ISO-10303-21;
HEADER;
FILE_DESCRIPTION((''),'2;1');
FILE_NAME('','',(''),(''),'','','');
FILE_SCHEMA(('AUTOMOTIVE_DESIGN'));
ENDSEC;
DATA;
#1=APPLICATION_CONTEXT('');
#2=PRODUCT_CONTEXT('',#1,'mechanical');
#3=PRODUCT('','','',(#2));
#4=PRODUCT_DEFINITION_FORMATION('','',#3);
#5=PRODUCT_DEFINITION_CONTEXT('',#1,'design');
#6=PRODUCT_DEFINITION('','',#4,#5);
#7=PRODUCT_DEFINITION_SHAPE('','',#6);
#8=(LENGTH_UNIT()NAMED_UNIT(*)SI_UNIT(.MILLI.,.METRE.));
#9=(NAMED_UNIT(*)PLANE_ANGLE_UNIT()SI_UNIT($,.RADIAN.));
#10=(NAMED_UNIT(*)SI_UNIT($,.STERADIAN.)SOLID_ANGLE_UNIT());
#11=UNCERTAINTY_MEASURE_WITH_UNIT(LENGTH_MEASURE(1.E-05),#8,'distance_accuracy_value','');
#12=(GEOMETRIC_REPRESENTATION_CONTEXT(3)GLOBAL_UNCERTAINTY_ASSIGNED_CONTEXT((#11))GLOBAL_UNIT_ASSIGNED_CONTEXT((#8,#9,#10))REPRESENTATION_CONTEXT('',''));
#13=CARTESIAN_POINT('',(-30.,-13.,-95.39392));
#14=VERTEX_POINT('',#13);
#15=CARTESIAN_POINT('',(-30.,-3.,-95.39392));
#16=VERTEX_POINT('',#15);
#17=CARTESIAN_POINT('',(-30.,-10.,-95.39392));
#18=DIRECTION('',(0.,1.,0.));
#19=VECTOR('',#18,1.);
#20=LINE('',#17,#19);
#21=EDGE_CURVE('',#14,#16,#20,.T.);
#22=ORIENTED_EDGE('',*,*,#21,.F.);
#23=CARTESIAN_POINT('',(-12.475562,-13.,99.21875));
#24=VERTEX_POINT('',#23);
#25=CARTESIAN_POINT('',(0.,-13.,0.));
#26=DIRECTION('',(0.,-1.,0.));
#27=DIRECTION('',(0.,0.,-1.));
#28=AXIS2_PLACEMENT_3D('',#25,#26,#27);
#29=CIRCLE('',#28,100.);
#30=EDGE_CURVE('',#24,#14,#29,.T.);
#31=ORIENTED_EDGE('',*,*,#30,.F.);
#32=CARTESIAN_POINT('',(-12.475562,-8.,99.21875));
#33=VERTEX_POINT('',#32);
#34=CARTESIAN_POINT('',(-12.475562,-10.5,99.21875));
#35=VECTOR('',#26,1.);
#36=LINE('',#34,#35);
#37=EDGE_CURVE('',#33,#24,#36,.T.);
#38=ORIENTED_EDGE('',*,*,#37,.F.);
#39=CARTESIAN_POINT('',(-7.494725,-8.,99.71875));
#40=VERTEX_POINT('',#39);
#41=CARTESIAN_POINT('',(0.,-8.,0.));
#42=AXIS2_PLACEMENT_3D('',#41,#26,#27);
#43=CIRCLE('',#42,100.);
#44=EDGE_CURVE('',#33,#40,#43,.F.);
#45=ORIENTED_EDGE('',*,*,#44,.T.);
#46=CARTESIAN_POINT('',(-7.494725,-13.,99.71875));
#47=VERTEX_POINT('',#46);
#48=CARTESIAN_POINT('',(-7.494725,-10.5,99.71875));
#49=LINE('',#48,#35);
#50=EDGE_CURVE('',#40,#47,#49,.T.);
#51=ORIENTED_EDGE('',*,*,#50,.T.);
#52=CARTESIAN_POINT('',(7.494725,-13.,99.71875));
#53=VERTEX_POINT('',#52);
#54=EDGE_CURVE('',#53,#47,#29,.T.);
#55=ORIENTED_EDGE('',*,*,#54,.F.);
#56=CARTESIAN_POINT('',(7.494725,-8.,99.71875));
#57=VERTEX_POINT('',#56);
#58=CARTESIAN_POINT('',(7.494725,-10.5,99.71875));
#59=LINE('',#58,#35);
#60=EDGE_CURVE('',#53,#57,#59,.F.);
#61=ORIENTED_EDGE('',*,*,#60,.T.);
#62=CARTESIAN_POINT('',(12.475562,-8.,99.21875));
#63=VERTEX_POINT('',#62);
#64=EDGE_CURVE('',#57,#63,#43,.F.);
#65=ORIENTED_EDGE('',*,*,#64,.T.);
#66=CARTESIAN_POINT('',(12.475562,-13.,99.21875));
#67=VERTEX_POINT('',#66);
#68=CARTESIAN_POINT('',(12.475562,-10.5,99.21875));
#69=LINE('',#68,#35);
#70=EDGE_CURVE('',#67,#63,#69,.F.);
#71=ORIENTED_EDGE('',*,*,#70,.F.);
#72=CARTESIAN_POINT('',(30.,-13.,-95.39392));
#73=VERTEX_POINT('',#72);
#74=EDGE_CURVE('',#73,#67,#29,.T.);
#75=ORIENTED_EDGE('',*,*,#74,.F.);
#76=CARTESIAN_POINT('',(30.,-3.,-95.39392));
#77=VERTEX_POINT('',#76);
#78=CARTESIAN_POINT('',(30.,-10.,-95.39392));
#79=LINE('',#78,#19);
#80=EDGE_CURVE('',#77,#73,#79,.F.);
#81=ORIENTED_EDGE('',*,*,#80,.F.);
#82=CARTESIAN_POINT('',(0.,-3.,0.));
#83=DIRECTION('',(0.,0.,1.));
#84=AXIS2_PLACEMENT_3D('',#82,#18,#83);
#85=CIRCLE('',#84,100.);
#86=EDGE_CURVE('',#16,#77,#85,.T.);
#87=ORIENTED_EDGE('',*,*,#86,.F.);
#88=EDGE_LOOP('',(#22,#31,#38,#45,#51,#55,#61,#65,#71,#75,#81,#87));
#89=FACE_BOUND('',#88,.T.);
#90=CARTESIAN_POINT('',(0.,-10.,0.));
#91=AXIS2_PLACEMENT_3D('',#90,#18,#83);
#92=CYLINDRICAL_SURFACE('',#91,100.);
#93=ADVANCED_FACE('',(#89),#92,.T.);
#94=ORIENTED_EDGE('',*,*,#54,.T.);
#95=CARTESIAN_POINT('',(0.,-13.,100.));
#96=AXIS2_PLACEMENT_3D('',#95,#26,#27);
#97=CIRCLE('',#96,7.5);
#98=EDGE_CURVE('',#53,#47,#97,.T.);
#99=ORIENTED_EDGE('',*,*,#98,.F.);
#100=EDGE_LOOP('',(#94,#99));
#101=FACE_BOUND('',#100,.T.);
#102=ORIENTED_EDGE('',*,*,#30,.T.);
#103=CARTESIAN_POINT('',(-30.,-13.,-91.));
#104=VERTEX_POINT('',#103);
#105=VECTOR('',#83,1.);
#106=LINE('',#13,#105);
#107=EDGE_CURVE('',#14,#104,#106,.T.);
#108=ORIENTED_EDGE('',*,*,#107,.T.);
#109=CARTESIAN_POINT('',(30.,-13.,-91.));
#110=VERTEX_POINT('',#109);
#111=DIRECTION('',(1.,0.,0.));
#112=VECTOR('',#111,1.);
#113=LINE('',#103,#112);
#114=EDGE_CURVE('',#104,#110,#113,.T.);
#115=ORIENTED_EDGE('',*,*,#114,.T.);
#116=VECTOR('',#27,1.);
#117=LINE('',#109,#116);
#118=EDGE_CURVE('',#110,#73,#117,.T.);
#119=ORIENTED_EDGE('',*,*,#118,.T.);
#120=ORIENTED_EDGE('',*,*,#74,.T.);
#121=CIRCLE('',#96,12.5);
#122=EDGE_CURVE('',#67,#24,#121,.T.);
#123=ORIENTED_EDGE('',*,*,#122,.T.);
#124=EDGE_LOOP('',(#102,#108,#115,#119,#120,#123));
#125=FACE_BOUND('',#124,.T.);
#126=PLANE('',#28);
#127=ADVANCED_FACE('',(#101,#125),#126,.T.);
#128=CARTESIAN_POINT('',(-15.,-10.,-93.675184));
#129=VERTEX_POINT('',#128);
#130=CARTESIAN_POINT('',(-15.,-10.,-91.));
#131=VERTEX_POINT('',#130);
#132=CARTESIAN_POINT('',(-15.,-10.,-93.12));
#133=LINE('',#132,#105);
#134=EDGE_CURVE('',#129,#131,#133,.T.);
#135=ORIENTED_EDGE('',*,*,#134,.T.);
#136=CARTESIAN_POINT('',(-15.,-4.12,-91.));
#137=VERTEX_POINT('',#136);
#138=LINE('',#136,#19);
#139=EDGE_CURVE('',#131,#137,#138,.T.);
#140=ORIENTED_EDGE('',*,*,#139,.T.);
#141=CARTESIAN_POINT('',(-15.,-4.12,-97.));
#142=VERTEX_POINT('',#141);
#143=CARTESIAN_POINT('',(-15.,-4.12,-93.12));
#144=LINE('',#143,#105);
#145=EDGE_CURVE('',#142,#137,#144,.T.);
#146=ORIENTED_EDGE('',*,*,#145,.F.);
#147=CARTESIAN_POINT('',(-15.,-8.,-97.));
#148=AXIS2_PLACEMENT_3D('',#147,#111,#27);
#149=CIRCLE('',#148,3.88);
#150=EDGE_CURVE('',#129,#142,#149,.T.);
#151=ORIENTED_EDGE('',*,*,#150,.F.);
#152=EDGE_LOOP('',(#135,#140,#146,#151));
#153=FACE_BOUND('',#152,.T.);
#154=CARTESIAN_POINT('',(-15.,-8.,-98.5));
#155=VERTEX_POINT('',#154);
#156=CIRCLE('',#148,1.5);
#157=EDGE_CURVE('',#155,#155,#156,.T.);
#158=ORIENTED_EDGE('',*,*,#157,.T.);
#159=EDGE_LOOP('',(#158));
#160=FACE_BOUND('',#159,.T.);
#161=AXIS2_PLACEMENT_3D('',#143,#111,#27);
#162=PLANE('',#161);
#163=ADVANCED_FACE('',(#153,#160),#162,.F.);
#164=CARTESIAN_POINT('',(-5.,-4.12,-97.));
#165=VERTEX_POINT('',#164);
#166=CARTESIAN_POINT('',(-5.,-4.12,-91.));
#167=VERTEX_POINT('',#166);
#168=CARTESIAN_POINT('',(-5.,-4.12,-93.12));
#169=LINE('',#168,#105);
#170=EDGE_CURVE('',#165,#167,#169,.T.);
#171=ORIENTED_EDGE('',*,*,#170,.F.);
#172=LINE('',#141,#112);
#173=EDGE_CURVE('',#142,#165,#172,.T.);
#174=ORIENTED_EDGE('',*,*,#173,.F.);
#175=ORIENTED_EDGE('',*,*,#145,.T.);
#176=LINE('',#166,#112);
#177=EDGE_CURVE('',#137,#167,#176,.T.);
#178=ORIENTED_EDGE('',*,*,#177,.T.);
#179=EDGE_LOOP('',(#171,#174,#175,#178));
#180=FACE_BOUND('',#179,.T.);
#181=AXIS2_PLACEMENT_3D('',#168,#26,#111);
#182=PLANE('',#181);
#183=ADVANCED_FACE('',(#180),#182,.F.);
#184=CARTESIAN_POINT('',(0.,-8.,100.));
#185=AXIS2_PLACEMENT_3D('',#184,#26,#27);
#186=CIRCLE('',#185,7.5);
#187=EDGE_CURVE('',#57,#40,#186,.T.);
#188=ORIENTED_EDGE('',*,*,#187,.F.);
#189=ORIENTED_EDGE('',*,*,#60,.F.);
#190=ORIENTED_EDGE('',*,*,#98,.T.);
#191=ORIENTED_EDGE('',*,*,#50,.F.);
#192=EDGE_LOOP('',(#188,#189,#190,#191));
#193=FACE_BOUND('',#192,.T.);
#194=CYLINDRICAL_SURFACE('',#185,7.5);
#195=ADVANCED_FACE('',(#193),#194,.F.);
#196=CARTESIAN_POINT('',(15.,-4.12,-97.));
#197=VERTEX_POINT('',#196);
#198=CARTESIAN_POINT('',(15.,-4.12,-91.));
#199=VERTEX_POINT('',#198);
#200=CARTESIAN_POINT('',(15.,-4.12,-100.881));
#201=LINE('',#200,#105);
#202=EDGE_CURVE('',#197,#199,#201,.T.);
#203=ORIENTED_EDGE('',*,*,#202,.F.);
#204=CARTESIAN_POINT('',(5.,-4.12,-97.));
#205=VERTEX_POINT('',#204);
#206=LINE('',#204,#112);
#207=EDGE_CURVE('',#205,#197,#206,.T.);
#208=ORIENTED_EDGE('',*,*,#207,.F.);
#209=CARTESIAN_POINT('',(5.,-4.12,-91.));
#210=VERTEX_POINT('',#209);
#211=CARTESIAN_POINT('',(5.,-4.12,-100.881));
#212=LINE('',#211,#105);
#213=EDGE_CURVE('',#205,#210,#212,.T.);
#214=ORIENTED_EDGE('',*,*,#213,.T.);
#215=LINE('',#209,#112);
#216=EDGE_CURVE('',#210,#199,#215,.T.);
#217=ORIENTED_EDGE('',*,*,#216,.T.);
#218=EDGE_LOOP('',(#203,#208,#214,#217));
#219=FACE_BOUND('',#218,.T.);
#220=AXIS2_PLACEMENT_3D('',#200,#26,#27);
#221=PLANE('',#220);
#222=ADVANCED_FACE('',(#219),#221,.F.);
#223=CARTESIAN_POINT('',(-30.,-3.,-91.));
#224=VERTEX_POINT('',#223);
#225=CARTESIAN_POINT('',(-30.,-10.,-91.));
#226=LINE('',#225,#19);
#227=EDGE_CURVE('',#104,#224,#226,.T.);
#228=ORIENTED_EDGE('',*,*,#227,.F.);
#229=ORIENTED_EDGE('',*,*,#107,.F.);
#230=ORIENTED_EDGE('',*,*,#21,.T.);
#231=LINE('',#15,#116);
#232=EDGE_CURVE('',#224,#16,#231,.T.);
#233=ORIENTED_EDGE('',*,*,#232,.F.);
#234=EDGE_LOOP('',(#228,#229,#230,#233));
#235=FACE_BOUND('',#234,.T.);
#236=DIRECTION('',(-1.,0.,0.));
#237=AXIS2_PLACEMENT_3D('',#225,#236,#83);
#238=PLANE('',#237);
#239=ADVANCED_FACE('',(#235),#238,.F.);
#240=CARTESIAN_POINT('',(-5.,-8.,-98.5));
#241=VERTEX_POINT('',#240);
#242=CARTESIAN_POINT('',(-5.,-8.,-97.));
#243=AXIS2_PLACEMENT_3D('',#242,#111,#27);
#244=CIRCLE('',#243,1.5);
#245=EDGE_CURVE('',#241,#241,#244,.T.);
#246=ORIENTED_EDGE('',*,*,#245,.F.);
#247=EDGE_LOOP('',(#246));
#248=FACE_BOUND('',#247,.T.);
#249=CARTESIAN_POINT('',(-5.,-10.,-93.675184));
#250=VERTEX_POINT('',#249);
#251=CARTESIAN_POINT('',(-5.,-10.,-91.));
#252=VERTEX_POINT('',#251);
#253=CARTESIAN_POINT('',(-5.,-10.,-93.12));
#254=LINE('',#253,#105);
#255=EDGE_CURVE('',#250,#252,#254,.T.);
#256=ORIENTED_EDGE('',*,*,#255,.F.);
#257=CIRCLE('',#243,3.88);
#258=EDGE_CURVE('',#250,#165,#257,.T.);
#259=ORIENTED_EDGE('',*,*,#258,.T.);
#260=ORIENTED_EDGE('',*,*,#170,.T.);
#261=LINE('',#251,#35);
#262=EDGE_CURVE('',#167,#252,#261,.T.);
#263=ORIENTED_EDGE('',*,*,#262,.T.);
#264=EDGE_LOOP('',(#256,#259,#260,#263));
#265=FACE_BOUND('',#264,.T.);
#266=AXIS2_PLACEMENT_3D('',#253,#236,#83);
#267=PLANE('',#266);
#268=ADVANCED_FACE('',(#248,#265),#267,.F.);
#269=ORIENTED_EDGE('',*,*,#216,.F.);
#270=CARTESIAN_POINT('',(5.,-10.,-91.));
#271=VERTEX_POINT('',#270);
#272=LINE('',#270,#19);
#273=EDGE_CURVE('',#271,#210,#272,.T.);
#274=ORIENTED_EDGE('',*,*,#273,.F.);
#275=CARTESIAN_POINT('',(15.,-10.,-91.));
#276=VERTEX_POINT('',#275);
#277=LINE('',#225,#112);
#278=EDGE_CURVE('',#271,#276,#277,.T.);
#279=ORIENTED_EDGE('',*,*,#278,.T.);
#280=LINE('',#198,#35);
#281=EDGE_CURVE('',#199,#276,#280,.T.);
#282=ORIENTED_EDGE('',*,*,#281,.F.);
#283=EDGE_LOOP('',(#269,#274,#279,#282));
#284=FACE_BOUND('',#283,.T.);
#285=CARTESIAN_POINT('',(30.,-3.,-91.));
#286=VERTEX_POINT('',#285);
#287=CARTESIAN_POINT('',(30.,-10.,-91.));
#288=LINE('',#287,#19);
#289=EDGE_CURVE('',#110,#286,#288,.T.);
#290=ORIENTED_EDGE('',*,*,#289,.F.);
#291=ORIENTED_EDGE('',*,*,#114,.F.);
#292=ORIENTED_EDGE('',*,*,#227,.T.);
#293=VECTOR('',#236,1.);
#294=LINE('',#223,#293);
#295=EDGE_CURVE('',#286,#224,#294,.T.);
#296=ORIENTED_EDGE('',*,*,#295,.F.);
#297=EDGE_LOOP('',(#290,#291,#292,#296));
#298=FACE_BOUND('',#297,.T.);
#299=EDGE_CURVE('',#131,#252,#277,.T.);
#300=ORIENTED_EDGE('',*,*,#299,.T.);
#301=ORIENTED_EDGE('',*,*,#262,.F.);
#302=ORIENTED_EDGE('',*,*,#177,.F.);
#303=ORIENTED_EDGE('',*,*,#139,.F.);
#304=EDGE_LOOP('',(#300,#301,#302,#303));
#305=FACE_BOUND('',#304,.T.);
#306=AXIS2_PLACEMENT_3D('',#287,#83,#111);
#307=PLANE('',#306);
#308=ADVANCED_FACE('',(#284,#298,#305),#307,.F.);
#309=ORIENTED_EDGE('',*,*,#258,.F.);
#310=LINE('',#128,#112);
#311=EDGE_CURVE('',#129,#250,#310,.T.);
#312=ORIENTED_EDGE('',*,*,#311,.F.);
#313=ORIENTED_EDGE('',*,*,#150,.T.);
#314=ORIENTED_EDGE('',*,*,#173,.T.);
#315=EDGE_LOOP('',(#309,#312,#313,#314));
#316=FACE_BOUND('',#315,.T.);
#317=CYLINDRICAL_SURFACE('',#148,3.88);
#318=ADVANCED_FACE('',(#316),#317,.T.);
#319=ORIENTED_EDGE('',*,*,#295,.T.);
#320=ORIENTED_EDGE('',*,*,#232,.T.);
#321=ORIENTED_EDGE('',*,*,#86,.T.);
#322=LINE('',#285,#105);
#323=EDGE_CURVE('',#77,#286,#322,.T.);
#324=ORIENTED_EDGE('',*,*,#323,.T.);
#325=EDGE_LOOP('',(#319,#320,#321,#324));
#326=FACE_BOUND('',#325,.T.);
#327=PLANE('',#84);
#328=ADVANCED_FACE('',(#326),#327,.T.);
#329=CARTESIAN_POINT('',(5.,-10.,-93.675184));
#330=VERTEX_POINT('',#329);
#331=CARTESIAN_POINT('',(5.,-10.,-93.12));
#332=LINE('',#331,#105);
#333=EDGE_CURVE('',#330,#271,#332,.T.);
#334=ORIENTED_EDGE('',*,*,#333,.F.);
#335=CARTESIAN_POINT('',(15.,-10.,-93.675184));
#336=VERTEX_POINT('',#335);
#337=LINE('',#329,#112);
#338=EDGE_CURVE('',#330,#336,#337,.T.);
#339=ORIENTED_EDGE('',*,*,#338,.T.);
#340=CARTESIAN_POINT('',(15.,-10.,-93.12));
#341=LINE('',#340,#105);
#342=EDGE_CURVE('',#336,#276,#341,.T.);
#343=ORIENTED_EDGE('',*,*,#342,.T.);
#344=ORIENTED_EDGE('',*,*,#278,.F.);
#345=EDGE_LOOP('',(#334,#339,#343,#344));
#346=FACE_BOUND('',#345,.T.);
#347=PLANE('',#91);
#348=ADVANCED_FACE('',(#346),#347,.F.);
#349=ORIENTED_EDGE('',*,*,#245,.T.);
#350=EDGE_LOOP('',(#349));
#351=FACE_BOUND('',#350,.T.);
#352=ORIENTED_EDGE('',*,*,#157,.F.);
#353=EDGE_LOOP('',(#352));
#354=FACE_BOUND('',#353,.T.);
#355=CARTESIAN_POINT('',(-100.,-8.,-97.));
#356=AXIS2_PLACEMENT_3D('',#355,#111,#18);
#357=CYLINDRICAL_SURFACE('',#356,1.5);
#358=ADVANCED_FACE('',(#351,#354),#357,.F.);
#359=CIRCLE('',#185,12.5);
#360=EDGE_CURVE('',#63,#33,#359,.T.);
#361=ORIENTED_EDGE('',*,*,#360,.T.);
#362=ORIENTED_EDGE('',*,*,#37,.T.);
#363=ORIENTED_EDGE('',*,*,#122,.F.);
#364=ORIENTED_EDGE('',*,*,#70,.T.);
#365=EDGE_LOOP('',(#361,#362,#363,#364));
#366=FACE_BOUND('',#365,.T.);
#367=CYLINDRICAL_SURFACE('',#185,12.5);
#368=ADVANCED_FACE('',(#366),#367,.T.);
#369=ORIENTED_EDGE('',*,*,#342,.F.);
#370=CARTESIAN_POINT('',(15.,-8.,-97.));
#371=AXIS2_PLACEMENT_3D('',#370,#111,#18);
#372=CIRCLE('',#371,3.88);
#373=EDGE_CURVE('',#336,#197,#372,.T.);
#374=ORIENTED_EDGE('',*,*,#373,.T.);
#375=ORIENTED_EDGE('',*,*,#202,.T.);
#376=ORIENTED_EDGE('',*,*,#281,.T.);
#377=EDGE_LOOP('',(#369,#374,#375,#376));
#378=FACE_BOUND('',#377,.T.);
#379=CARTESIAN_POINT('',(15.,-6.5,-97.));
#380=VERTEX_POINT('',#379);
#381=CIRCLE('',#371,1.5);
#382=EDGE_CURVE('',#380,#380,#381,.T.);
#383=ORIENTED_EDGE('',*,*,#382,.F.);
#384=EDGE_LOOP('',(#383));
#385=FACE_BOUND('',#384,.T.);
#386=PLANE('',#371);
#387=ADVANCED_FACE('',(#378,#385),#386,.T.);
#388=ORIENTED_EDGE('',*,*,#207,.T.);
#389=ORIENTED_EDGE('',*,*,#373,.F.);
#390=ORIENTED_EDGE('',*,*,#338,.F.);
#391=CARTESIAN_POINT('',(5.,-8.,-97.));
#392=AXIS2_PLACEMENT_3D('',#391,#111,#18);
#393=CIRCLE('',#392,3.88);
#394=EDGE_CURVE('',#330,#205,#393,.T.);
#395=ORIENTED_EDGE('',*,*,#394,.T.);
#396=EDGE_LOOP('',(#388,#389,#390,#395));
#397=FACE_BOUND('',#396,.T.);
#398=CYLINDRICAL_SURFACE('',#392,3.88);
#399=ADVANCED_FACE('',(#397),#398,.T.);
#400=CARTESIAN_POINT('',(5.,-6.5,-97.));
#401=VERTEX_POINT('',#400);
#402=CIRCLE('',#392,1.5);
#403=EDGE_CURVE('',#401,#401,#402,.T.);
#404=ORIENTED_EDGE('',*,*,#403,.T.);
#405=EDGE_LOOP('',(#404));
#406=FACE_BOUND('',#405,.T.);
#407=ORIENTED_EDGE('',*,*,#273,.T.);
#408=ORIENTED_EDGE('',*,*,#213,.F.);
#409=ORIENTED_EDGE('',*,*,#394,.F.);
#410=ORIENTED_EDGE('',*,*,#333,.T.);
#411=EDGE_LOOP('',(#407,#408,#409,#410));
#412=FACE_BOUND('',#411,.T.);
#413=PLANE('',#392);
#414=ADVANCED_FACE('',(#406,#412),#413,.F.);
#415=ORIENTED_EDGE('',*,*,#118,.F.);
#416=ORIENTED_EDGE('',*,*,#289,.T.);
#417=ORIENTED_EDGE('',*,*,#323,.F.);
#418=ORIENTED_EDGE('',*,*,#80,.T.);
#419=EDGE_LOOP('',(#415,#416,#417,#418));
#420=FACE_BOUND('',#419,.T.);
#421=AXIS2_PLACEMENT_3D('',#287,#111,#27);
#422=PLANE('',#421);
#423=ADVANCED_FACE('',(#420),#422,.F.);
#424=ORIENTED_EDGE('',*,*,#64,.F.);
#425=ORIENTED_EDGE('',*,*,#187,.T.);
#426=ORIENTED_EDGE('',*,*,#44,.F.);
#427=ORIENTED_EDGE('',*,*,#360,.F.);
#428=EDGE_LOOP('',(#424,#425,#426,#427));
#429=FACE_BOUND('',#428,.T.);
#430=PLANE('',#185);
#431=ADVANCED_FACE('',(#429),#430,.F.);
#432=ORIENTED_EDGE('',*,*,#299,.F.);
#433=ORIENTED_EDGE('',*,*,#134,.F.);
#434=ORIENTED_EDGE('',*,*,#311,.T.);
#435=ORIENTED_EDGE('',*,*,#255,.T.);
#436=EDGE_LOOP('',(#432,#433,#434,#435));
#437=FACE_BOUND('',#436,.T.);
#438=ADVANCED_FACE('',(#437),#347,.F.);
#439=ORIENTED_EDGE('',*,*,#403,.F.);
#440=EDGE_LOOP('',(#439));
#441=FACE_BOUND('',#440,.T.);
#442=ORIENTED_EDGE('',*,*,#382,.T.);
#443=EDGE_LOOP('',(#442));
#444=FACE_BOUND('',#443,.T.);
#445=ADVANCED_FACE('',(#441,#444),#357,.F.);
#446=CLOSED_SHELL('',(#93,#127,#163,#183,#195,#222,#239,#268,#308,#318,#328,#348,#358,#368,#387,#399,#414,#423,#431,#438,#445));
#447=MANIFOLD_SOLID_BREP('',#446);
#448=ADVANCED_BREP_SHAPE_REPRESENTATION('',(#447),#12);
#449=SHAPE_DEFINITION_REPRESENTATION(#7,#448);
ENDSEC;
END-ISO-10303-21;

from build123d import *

# Parameters (mm, degrees)
SKETCH1_R            = 100
BOSS_EXTRUDE1_DEPTH  = 10
SKETCH3_W            = 60
SKETCH3_H            = 18
CUT_EXTRUDE1_DEPTH   = 142.774468788
SKETCH4_W            = 10
SKETCH4_H            = 5.88
BOSS_EXTRUDE2_DEPTH  = 2.12
SKETCH5_R            = 3.88
BOSS_EXTRUDE3_DEPTH  = 10
SKETCH6_R            = 3.88
BOSS_EXTRUDE4_DEPTH  = 10
SKETCH7_R            = 1.5
CUT_EXTRUDE2_DEPTH   = 154.436986415
BOSS_EXTRUDE5_REACH  = 219.799
SKETCH8_W            = 10
SKETCH8_H            = 5.88
BOSS_EXTRUDE6_REACH  = 219.799
SKETCH9_W            = 10
SKETCH9_H            = 5.88
BOSS_EXTRUDE8_DEPTH  = 3
CUT_EXTRUDE3_DEPTH   = 3
SKETCH22_R           = 12.5
SKETCH22_R_2         = 7.5
BOSS_EXTRUDE10_DEPTH = 5


with BuildPart() as part:
    # Sketch1 → Boss-Extrude1 (new body)
    with BuildSketch(Plane(origin=(0, 0, 0), x_dir=(1, 0, 0), z_dir=(0, 1, 0))):
        with Locations(Location((0, 0, 0), (0, 0, 270))):
            Circle(SKETCH1_R)
    extrude(amount=-BOSS_EXTRUDE1_DEPTH)

    # Sketch3 → Cut-Extrude1 (cut, through all)
    with BuildSketch(Plane(origin=(0, 0, 0), x_dir=(1, 0, 0), z_dir=(0, 1, 0))):
        with Locations((0, 100)):
            Rectangle(SKETCH3_W, SKETCH3_H)
    extrude(amount=-CUT_EXTRUDE1_DEPTH, mode=Mode.SUBTRACT)

    # Sketch4 → Boss-Extrude2 (add)
    with BuildSketch(Plane(origin=(0, 0, -91), x_dir=(-1, 0, 0), z_dir=(0, 0, -1))):
        with Locations((10, -7.06)):
            Rectangle(SKETCH4_W, SKETCH4_H)
        with Locations((-10, -7.06)):
            Rectangle(SKETCH4_W, SKETCH4_H)
    extrude(amount=BOSS_EXTRUDE2_DEPTH)


with BuildPart() as body_2:
    # Sketch5 → Boss-Extrude3 (new body)
    with BuildSketch(Plane(origin=(-5, 0, 0), x_dir=(0, 0, -1), z_dir=(1, 0, 0))):
        with Locations((97, -8)):
            Circle(SKETCH5_R)
    extrude(amount=-BOSS_EXTRUDE3_DEPTH)


with BuildPart() as body_3:
    # Sketch6 → Boss-Extrude4 (new body)
    with BuildSketch(Plane(origin=(15, 0, 0), x_dir=(0, 0, -1), z_dir=(1, 0, 0))):
        with Locations(Location((97, -8, 0), (0, 0, 90))):
            Circle(SKETCH6_R)
    extrude(amount=-BOSS_EXTRUDE4_DEPTH)


with BuildPart() as cut_extrude2_tool:
    # Sketch7 → Cut-Extrude2 (new, through all)
    with BuildSketch(Plane(origin=(15, 0, 0), x_dir=(0, 0, -1), z_dir=(1, 0, 0))):
        with Locations(Location((97, -8, 0), (0, 0, 90))):
            Circle(SKETCH7_R)
    extrude(amount=-CUT_EXTRUDE2_DEPTH)


with BuildPart() as body_2_1:
    add(body_2.part)

    # Cut-Extrude2: cut by cut_extrude2_tool
    add(cut_extrude2_tool.part, mode=Mode.SUBTRACT)

    # Sketch8 → Boss-Extrude5 (add, up to next)
    with BuildSketch(Plane(origin=(0, 0, -93.12), x_dir=(-1, 0, 0), z_dir=(0, 0, -1)), mode=Mode.PRIVATE) as boss_extrude5_sk1:
        with Locations((10, -7.06)):
            Rectangle(SKETCH8_W, SKETCH8_H)
    boss_extrude5_tool1 = extrude(boss_extrude5_sk1.sketch, amount=BOSS_EXTRUDE5_REACH, mode=Mode.PRIVATE) - body_2_1.part

    add(part.part)  # Boss-Extrude5 merges part
    add(boss_extrude5_tool1.solids().sort_by_distance((-10, -7.06, -93.12))[0])
    add(boss_extrude5_tool1.solids().sort_by_distance((-10, -7.06, -93.12))[1])


with BuildPart() as body_3_1:
    add(body_3.part)

    # Cut-Extrude2: cut by cut_extrude2_tool
    add(cut_extrude2_tool.part, mode=Mode.SUBTRACT)

    # Sketch9 → Boss-Extrude6 (add, up to next)
    with BuildSketch(Plane(origin=(0, 0, -93.12), x_dir=(-1, 0, 0), z_dir=(0, 0, -1)), mode=Mode.PRIVATE) as boss_extrude6_sk1:
        with Locations((-10, -7.06)):
            Rectangle(SKETCH9_W, SKETCH9_H)
    boss_extrude6_tool1 = extrude(boss_extrude6_sk1.sketch, amount=BOSS_EXTRUDE6_REACH, mode=Mode.PRIVATE) - body_3_1.part

    add(body_2_1.part)  # Boss-Extrude6 merges body 2
    add(boss_extrude6_tool1.solids().sort_by_distance((10, -7.06, -93.12))[0])
    add(boss_extrude6_tool1.solids().sort_by_distance((10, -7.06, -93.12))[1])

    # Sketch12 → Boss-Extrude8 (add)
    with BuildSketch(Plane(origin=(0, -10, 0), x_dir=(-1, 0, 0), z_dir=(0, -1, 0))):
        with BuildLine():
            Line((30, 95.393920142), (30, 91))
            Line((30, 91), (-30, 91))
            Line((-30, 91), (-30, 95.393920142))
            ThreePointArc((-30, 95.393920142), (0, -100), (30, 95.393920142))
        make_face()
    extrude(amount=BOSS_EXTRUDE8_DEPTH)

    # Sketch13 → Cut-Extrude3 (cut)
    with BuildSketch(Plane(origin=(0, 0, 0), x_dir=(1, 0, 0), z_dir=(0, 1, 0))):
        with BuildLine():
            Line((-30, 95.393920142), (-30, 91))
            Line((-30, 91), (30, 91))
            Line((30, 91), (30, 95.393920142))
            ThreePointArc((30, 95.393920142), (0, -100), (-30, 95.393920142))
        make_face()
    extrude(amount=-CUT_EXTRUDE3_DEPTH, mode=Mode.SUBTRACT)

    # Sketch22 → Boss-Extrude10 (add)
    with BuildSketch(Plane(origin=(0, -13, 0), x_dir=(-1, 0, 0), z_dir=(0, -1, 0))):
        with Locations((0, -100)):
            Circle(SKETCH22_R)
        with Locations((0, -100)):
            Circle(SKETCH22_R_2, mode=Mode.SUBTRACT)
    extrude(amount=-BOSS_EXTRUDE10_DEPTH)


solid = body_3_1.part
